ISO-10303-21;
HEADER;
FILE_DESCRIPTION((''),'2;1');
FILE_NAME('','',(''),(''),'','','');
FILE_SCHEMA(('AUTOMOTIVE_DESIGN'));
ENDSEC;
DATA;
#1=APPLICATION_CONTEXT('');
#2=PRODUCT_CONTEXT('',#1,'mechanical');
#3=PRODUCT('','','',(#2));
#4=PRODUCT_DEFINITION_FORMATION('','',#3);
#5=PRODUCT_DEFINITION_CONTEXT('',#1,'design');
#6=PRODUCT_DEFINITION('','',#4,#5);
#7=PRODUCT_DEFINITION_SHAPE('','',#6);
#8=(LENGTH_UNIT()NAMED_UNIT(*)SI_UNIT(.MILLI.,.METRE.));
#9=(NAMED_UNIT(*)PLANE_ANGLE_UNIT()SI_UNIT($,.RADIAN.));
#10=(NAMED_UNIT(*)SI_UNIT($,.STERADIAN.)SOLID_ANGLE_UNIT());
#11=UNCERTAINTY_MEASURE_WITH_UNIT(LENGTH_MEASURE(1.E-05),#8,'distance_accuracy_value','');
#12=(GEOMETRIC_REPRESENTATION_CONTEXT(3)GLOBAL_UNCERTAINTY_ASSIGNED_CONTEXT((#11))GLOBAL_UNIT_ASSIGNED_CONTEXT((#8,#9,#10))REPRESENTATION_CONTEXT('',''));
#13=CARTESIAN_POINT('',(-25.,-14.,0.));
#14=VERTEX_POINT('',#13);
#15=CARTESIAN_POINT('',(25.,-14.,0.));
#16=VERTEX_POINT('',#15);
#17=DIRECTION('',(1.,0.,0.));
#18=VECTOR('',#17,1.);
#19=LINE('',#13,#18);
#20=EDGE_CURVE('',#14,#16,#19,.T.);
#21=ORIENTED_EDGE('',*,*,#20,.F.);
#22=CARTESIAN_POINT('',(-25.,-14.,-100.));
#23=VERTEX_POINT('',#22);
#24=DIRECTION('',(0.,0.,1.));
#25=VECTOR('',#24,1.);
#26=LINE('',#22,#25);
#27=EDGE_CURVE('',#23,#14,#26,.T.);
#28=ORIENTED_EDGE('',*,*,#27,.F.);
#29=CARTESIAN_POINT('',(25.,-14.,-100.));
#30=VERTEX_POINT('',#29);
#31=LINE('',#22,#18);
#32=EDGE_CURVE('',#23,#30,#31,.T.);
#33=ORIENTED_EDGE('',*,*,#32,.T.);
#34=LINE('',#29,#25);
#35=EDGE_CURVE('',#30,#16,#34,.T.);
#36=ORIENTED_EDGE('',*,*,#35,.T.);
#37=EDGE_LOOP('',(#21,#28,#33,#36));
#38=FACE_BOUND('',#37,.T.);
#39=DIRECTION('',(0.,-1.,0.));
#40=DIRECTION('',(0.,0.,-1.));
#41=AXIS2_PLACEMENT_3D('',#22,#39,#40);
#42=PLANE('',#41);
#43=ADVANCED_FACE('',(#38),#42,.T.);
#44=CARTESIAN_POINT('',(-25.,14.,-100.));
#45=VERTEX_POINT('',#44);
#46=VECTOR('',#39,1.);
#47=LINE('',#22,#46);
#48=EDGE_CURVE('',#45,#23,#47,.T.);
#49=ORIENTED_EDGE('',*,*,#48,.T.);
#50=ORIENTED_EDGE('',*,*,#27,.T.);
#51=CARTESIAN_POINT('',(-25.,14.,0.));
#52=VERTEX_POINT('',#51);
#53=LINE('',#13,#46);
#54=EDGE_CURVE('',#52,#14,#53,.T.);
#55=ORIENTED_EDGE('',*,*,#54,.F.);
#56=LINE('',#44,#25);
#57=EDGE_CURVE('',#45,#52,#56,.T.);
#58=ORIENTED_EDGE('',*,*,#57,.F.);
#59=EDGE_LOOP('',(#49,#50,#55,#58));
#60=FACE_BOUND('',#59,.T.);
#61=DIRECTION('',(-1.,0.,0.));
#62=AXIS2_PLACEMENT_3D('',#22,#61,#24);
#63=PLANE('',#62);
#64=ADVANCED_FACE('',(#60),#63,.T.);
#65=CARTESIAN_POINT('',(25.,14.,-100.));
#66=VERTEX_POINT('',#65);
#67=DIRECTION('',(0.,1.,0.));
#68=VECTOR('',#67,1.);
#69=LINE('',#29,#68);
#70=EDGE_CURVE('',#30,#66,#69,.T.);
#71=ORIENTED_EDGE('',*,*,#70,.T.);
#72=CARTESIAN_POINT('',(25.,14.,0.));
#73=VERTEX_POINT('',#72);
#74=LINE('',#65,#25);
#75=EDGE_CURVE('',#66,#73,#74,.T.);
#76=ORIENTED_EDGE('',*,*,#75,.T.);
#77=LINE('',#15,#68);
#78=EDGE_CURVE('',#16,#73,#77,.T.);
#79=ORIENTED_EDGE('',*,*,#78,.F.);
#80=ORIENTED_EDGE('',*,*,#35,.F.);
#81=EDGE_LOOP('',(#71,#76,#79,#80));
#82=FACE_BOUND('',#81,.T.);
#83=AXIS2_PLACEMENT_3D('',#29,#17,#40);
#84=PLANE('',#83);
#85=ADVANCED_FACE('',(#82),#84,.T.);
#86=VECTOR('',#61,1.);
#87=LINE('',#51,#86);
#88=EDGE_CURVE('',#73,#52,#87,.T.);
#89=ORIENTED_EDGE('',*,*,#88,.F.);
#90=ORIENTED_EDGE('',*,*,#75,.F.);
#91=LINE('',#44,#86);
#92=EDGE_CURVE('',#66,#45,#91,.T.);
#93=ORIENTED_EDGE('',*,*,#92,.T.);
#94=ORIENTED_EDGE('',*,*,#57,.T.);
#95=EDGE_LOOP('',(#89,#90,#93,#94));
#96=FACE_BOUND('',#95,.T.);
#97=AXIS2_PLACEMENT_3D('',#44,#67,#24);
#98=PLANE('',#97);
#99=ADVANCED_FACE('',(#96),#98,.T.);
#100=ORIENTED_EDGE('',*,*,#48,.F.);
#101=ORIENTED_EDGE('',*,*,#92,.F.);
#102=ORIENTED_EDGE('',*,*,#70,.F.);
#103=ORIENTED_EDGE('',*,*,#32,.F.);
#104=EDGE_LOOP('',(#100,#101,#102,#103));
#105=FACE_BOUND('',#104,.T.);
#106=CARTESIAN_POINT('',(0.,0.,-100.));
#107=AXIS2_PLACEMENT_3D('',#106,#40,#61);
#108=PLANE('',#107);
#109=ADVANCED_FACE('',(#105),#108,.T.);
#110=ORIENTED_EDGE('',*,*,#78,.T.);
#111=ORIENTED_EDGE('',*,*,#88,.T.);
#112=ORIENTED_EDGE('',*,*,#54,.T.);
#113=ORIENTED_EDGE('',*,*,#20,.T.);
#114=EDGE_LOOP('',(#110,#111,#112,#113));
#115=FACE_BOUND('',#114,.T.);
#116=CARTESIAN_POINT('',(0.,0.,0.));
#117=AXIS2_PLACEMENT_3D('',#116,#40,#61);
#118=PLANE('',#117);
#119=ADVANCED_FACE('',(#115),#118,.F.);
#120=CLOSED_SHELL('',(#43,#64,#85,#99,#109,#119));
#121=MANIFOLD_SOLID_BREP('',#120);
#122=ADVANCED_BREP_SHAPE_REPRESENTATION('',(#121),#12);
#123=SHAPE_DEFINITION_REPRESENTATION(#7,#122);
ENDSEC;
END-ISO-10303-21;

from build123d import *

# Parameters (mm, degrees)
SKETCH1_W           = 50
SKETCH1_H           = 28
BOSS_EXTRUDE1_DEPTH = 100


with BuildPart() as part:
    # Sketch1 → Boss-Extrude1 (new body)
    with BuildSketch(Plane.XY):
        Rectangle(SKETCH1_W, SKETCH1_H)
    extrude(amount=-BOSS_EXTRUDE1_DEPTH)


solid = part.part
